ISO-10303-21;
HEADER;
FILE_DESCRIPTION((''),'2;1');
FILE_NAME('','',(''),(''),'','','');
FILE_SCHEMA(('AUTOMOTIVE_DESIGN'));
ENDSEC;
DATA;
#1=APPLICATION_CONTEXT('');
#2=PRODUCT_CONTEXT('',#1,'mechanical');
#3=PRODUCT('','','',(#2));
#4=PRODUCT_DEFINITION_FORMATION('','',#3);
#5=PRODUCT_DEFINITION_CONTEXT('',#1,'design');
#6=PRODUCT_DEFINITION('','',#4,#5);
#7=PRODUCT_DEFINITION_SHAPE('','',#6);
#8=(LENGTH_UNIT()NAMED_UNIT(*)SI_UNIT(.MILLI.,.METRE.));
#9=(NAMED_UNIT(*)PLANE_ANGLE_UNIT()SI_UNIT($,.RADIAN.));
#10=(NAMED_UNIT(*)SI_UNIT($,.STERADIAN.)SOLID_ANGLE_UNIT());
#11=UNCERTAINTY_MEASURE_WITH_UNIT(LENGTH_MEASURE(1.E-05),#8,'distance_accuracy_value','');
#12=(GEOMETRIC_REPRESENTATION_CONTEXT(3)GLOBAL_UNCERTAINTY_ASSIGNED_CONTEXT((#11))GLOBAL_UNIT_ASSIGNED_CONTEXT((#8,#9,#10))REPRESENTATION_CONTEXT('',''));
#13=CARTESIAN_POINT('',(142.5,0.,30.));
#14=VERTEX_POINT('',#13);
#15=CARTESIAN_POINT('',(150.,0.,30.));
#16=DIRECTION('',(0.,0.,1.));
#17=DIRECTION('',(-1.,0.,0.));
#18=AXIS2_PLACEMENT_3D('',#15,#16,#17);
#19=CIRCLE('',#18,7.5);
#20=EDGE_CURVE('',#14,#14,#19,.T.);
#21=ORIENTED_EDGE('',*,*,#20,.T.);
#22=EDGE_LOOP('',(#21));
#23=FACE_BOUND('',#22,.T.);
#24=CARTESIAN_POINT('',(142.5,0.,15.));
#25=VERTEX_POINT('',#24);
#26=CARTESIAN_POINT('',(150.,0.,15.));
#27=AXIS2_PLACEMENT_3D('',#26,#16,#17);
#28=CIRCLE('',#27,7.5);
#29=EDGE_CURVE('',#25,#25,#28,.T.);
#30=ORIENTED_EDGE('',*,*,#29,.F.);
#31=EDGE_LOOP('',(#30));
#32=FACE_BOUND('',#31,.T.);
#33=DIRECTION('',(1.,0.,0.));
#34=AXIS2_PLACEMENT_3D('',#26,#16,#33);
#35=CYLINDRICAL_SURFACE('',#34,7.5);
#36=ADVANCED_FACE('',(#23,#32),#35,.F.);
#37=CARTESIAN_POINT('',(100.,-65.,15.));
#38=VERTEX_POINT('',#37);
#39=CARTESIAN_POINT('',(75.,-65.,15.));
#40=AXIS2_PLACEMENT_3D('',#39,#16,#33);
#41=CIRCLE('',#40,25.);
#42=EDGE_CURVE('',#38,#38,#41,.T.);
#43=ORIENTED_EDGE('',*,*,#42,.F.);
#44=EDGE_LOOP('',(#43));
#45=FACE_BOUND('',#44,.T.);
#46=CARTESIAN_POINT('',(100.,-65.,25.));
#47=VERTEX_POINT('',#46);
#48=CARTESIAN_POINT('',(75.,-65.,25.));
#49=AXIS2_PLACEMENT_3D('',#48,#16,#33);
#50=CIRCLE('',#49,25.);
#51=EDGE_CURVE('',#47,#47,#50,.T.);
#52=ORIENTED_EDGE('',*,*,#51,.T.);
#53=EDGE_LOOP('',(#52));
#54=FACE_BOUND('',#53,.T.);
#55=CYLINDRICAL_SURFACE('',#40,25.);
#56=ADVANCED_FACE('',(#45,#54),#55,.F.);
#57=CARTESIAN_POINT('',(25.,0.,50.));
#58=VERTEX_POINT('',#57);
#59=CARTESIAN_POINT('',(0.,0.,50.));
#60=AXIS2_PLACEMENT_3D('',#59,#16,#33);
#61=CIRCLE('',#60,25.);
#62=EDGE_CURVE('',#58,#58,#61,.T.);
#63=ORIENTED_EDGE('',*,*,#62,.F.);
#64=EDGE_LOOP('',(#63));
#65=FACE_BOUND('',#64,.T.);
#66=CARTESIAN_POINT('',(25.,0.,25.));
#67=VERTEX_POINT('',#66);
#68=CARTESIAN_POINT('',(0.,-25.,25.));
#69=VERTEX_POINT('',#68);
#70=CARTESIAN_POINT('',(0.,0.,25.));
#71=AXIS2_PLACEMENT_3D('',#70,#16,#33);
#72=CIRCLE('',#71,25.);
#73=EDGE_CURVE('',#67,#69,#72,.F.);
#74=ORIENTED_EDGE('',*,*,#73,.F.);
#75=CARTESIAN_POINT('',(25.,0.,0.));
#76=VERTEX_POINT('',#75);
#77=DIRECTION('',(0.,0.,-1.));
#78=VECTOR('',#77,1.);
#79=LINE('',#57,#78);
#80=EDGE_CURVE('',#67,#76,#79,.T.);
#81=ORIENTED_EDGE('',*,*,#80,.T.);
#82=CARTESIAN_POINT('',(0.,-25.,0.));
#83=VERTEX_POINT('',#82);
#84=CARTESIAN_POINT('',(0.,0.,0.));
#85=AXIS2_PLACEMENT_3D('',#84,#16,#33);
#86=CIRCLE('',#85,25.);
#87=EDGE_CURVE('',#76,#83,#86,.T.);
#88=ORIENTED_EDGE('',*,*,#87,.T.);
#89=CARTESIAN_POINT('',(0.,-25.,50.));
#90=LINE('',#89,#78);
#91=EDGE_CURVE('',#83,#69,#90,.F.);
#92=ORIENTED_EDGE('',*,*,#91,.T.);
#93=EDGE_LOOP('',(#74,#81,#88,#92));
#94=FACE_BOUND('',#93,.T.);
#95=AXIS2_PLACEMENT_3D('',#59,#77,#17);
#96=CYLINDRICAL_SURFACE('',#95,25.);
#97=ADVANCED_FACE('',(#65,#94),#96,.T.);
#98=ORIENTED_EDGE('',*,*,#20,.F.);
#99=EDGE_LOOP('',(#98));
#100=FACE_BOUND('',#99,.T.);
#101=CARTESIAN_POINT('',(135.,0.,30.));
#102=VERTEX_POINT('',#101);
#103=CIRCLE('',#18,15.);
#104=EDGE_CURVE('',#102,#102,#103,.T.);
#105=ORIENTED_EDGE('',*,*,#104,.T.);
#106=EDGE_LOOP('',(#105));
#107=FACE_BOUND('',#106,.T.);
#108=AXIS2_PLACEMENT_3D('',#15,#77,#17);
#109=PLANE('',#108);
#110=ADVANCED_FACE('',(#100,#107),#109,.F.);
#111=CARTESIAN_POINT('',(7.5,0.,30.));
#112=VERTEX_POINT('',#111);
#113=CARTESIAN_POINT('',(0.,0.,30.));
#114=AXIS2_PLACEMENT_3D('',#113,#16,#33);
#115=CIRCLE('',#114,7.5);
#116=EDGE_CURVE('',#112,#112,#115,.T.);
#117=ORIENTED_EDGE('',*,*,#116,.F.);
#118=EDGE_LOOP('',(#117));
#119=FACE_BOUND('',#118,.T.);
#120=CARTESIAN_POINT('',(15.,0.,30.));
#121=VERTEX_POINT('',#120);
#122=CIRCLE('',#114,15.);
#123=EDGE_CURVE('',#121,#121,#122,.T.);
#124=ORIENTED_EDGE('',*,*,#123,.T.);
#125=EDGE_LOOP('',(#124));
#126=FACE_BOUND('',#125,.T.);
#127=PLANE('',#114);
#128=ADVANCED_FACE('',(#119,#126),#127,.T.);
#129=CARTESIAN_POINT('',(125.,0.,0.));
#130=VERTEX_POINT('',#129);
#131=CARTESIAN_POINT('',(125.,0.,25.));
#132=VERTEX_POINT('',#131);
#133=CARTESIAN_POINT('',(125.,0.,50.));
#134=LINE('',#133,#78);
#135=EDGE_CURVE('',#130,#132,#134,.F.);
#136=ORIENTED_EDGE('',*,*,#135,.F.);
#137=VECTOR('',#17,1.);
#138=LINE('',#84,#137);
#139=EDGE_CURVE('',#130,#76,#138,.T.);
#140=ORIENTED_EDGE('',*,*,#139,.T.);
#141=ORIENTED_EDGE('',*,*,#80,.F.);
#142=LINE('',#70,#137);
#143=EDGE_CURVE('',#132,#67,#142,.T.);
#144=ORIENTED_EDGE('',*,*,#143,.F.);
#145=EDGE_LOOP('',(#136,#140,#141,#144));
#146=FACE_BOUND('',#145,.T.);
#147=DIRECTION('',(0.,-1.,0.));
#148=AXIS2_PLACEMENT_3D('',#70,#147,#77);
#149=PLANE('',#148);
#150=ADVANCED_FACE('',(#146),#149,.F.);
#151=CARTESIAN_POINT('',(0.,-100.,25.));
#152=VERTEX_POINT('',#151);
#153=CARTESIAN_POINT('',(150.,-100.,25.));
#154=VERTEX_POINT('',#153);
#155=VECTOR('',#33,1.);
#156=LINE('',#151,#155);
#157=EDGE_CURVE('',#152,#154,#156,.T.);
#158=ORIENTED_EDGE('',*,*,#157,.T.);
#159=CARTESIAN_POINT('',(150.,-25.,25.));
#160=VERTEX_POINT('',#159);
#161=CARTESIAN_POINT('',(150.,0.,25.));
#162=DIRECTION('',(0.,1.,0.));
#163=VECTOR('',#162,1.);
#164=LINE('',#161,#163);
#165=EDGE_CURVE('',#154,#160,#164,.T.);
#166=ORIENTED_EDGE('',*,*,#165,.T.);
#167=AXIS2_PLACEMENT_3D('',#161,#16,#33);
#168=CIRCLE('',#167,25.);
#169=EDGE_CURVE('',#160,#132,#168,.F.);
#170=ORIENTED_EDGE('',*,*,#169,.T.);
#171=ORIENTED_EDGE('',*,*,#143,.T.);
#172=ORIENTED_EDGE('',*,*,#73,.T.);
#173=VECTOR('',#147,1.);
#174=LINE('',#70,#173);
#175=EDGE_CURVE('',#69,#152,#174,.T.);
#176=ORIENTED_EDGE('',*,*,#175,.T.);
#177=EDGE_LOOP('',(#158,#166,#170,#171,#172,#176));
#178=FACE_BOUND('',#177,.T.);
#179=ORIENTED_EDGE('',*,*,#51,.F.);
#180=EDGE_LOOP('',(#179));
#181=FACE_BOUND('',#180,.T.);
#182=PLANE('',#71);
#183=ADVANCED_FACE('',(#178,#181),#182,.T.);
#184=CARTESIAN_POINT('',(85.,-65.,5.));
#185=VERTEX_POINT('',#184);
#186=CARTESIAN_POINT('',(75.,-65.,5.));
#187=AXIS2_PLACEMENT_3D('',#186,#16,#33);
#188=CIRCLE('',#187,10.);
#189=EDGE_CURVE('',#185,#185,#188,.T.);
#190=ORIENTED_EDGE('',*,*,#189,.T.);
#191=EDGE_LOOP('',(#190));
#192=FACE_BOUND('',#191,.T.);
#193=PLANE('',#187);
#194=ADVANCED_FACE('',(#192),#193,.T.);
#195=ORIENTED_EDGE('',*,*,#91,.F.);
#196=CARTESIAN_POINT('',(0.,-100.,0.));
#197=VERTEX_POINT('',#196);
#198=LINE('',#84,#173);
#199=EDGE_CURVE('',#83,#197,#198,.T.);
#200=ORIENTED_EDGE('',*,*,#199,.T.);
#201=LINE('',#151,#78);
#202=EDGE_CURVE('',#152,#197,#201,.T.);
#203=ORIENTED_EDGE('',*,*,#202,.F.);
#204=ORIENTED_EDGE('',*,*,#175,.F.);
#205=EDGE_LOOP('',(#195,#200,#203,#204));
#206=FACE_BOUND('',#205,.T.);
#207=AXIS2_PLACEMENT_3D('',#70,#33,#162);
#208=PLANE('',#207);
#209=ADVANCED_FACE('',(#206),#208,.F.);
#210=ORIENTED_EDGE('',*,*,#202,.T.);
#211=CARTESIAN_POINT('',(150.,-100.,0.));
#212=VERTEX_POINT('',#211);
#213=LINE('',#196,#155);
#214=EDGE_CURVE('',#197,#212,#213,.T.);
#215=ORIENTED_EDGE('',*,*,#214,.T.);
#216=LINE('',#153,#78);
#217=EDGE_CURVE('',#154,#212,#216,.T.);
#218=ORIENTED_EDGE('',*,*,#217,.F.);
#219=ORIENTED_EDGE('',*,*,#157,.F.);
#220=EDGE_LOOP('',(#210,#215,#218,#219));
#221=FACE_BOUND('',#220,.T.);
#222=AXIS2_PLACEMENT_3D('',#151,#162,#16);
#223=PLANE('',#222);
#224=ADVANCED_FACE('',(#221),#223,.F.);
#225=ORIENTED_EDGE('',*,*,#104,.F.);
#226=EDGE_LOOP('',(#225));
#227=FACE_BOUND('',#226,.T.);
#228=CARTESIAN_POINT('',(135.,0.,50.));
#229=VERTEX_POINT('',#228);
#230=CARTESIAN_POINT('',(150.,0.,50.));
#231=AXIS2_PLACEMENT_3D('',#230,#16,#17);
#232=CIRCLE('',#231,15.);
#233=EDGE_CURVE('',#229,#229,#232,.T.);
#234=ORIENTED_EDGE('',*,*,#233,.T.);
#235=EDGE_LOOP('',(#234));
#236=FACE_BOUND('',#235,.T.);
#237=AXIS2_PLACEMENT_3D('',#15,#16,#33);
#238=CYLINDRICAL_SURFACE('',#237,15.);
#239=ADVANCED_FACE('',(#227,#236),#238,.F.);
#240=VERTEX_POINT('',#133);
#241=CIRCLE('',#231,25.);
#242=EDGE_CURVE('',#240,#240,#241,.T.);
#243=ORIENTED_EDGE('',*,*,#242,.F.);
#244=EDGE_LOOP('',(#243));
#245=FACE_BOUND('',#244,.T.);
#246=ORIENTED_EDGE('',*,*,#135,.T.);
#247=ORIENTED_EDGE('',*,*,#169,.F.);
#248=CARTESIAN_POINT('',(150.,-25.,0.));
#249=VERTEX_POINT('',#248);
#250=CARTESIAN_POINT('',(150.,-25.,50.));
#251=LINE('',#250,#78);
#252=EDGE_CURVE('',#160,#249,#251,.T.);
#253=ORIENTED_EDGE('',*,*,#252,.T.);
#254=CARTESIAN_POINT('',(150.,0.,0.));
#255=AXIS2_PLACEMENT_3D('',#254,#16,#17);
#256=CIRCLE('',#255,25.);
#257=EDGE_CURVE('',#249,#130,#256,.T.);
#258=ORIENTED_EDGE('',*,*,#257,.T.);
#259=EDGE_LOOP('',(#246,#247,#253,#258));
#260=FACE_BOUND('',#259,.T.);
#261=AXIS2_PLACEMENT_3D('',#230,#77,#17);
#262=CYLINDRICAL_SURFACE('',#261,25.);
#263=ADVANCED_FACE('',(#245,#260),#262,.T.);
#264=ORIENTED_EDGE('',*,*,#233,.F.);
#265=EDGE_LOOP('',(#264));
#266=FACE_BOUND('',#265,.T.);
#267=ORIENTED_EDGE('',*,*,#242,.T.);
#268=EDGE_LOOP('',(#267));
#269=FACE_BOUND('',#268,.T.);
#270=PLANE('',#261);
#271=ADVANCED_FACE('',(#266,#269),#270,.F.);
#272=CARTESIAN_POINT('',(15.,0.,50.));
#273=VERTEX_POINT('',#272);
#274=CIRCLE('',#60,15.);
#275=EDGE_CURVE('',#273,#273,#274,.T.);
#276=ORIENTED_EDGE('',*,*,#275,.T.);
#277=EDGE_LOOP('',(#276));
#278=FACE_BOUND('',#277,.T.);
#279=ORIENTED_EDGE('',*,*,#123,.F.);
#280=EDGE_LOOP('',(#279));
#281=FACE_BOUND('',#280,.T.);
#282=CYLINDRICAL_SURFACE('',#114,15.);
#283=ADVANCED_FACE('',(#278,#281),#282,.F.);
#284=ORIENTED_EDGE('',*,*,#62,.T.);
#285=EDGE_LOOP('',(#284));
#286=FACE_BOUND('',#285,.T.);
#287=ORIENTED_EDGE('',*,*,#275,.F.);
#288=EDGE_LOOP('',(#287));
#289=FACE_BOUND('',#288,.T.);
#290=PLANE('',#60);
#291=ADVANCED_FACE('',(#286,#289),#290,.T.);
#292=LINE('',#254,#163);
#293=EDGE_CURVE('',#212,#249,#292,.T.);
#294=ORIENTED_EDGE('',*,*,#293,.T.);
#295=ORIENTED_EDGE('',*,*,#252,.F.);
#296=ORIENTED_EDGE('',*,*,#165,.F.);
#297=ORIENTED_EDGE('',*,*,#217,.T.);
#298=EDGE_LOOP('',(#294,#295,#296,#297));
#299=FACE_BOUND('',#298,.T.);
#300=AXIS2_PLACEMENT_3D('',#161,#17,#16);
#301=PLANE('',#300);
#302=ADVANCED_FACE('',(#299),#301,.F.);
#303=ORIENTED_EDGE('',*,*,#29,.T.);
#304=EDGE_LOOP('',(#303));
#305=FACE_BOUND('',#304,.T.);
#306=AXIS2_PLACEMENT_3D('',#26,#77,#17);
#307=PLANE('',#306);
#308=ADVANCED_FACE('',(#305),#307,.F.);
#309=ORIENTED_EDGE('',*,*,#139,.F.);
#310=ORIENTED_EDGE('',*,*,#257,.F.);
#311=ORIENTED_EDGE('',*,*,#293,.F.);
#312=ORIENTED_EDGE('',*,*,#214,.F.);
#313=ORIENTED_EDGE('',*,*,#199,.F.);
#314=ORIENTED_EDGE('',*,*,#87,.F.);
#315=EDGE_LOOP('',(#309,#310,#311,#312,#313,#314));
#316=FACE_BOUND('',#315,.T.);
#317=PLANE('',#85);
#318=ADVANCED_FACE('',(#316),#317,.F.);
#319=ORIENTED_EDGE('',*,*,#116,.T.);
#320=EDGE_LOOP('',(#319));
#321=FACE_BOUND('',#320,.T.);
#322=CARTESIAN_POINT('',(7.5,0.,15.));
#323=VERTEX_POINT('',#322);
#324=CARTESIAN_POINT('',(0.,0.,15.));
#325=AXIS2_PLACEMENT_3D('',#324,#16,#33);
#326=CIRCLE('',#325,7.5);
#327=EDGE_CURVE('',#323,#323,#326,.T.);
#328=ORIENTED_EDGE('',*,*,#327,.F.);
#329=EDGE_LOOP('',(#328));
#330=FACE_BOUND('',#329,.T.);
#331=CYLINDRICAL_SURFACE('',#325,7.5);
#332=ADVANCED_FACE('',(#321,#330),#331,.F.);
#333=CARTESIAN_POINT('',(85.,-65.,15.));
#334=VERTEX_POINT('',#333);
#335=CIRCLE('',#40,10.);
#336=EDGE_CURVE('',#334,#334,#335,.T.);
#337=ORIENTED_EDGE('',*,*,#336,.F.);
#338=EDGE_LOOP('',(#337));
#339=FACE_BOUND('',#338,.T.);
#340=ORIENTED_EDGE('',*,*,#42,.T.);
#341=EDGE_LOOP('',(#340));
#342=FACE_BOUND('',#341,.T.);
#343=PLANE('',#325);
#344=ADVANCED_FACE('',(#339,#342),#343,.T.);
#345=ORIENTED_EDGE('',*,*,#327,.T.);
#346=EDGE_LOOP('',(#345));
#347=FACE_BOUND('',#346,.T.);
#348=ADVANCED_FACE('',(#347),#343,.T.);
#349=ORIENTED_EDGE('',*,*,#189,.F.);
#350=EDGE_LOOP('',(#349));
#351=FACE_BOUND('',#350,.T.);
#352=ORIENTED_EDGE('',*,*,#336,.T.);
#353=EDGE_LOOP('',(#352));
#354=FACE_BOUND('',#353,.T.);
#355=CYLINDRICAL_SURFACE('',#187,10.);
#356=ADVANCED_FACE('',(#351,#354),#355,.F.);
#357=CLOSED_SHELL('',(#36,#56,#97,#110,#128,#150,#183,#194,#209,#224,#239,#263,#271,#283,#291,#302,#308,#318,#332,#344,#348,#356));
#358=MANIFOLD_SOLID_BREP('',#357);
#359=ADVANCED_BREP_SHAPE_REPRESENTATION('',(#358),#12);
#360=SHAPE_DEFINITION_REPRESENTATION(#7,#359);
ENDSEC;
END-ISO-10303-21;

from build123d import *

# Parameters (mm, degrees)
SKETCH_1_W          = 150
SKETCH_1_H          = 100
EXTRUDE_1_DEPTH     = 25
SKETCH_2_R          = 25
EXTRUDE_2_DEPTH     = 25
SKETCH_3_R          = 15
CUT_EXTRUDE_1_DEPTH = 20
SKETCH_4_R          = 7.5
CUT_EXTRUDE_2_DEPTH = 15
CUT_EXTRUDE_3_DEPTH = 10
SKETCH_6_R          = 10
CUT_EXTRUDE_4_DEPTH = 10


with BuildPart() as part:
    # Эскиз1 → Бобышка-Вытянуть1 (new body)
    with BuildSketch(Plane.XY):
        with Locations((75, -50)):
            Rectangle(SKETCH_1_W, SKETCH_1_H)
    extrude(amount=EXTRUDE_1_DEPTH)

    # Эскиз2 → Бобышка-Вытянуть2 (add, symmetric)
    with BuildSketch(Plane.XY.offset(25)):
        Circle(SKETCH_2_R)
        with Locations(Location((150, 0, 0), (0, 0, 180))):
            Circle(SKETCH_2_R)
    extrude(amount=EXTRUDE_2_DEPTH, both=True)

    # Эскиз3 → Вырез-Вытянуть1 (cut)
    with BuildSketch(Plane.XY.offset(50)):
        Circle(SKETCH_3_R)
        with Locations(Location((150, 0, 0), (0, 0, 180))):
            Circle(SKETCH_3_R)
    extrude(amount=-CUT_EXTRUDE_1_DEPTH, mode=Mode.SUBTRACT)

    # Эскиз4 → Вырез-Вытянуть2 (cut)
    with BuildSketch(Plane.XY.offset(30)):
        Circle(SKETCH_4_R)
        with Locations(Location((150, 0, 0), (0, 0, 180))):
            Circle(SKETCH_4_R)
    extrude(amount=-CUT_EXTRUDE_2_DEPTH, mode=Mode.SUBTRACT)

    # Эскиз5 → Вырез-Вытянуть3 (cut)
    with BuildSketch(Plane.XY.offset(25)):
        with BuildLine():
            ThreePointArc((100, -65), (92.67766953, -47.32233047), (75, -40))
            Line((75, -40), (75, -90))
            ThreePointArc((75, -90), (92.67766953, -82.67766953), (100, -65))
        make_face()
        with BuildLine():
            Line((75, -90), (75, -40))
            ThreePointArc((75, -40), (50, -65), (75, -90))
        make_face()
    extrude(amount=-CUT_EXTRUDE_3_DEPTH, mode=Mode.SUBTRACT)

    # Эскиз6 → Вырез-Вытянуть4 (cut)
    with BuildSketch(Plane.XY.offset(15)):
        with Locations((75, -65)):
            Circle(SKETCH_6_R)
    extrude(amount=-CUT_EXTRUDE_4_DEPTH, mode=Mode.SUBTRACT)


solid = part.part
